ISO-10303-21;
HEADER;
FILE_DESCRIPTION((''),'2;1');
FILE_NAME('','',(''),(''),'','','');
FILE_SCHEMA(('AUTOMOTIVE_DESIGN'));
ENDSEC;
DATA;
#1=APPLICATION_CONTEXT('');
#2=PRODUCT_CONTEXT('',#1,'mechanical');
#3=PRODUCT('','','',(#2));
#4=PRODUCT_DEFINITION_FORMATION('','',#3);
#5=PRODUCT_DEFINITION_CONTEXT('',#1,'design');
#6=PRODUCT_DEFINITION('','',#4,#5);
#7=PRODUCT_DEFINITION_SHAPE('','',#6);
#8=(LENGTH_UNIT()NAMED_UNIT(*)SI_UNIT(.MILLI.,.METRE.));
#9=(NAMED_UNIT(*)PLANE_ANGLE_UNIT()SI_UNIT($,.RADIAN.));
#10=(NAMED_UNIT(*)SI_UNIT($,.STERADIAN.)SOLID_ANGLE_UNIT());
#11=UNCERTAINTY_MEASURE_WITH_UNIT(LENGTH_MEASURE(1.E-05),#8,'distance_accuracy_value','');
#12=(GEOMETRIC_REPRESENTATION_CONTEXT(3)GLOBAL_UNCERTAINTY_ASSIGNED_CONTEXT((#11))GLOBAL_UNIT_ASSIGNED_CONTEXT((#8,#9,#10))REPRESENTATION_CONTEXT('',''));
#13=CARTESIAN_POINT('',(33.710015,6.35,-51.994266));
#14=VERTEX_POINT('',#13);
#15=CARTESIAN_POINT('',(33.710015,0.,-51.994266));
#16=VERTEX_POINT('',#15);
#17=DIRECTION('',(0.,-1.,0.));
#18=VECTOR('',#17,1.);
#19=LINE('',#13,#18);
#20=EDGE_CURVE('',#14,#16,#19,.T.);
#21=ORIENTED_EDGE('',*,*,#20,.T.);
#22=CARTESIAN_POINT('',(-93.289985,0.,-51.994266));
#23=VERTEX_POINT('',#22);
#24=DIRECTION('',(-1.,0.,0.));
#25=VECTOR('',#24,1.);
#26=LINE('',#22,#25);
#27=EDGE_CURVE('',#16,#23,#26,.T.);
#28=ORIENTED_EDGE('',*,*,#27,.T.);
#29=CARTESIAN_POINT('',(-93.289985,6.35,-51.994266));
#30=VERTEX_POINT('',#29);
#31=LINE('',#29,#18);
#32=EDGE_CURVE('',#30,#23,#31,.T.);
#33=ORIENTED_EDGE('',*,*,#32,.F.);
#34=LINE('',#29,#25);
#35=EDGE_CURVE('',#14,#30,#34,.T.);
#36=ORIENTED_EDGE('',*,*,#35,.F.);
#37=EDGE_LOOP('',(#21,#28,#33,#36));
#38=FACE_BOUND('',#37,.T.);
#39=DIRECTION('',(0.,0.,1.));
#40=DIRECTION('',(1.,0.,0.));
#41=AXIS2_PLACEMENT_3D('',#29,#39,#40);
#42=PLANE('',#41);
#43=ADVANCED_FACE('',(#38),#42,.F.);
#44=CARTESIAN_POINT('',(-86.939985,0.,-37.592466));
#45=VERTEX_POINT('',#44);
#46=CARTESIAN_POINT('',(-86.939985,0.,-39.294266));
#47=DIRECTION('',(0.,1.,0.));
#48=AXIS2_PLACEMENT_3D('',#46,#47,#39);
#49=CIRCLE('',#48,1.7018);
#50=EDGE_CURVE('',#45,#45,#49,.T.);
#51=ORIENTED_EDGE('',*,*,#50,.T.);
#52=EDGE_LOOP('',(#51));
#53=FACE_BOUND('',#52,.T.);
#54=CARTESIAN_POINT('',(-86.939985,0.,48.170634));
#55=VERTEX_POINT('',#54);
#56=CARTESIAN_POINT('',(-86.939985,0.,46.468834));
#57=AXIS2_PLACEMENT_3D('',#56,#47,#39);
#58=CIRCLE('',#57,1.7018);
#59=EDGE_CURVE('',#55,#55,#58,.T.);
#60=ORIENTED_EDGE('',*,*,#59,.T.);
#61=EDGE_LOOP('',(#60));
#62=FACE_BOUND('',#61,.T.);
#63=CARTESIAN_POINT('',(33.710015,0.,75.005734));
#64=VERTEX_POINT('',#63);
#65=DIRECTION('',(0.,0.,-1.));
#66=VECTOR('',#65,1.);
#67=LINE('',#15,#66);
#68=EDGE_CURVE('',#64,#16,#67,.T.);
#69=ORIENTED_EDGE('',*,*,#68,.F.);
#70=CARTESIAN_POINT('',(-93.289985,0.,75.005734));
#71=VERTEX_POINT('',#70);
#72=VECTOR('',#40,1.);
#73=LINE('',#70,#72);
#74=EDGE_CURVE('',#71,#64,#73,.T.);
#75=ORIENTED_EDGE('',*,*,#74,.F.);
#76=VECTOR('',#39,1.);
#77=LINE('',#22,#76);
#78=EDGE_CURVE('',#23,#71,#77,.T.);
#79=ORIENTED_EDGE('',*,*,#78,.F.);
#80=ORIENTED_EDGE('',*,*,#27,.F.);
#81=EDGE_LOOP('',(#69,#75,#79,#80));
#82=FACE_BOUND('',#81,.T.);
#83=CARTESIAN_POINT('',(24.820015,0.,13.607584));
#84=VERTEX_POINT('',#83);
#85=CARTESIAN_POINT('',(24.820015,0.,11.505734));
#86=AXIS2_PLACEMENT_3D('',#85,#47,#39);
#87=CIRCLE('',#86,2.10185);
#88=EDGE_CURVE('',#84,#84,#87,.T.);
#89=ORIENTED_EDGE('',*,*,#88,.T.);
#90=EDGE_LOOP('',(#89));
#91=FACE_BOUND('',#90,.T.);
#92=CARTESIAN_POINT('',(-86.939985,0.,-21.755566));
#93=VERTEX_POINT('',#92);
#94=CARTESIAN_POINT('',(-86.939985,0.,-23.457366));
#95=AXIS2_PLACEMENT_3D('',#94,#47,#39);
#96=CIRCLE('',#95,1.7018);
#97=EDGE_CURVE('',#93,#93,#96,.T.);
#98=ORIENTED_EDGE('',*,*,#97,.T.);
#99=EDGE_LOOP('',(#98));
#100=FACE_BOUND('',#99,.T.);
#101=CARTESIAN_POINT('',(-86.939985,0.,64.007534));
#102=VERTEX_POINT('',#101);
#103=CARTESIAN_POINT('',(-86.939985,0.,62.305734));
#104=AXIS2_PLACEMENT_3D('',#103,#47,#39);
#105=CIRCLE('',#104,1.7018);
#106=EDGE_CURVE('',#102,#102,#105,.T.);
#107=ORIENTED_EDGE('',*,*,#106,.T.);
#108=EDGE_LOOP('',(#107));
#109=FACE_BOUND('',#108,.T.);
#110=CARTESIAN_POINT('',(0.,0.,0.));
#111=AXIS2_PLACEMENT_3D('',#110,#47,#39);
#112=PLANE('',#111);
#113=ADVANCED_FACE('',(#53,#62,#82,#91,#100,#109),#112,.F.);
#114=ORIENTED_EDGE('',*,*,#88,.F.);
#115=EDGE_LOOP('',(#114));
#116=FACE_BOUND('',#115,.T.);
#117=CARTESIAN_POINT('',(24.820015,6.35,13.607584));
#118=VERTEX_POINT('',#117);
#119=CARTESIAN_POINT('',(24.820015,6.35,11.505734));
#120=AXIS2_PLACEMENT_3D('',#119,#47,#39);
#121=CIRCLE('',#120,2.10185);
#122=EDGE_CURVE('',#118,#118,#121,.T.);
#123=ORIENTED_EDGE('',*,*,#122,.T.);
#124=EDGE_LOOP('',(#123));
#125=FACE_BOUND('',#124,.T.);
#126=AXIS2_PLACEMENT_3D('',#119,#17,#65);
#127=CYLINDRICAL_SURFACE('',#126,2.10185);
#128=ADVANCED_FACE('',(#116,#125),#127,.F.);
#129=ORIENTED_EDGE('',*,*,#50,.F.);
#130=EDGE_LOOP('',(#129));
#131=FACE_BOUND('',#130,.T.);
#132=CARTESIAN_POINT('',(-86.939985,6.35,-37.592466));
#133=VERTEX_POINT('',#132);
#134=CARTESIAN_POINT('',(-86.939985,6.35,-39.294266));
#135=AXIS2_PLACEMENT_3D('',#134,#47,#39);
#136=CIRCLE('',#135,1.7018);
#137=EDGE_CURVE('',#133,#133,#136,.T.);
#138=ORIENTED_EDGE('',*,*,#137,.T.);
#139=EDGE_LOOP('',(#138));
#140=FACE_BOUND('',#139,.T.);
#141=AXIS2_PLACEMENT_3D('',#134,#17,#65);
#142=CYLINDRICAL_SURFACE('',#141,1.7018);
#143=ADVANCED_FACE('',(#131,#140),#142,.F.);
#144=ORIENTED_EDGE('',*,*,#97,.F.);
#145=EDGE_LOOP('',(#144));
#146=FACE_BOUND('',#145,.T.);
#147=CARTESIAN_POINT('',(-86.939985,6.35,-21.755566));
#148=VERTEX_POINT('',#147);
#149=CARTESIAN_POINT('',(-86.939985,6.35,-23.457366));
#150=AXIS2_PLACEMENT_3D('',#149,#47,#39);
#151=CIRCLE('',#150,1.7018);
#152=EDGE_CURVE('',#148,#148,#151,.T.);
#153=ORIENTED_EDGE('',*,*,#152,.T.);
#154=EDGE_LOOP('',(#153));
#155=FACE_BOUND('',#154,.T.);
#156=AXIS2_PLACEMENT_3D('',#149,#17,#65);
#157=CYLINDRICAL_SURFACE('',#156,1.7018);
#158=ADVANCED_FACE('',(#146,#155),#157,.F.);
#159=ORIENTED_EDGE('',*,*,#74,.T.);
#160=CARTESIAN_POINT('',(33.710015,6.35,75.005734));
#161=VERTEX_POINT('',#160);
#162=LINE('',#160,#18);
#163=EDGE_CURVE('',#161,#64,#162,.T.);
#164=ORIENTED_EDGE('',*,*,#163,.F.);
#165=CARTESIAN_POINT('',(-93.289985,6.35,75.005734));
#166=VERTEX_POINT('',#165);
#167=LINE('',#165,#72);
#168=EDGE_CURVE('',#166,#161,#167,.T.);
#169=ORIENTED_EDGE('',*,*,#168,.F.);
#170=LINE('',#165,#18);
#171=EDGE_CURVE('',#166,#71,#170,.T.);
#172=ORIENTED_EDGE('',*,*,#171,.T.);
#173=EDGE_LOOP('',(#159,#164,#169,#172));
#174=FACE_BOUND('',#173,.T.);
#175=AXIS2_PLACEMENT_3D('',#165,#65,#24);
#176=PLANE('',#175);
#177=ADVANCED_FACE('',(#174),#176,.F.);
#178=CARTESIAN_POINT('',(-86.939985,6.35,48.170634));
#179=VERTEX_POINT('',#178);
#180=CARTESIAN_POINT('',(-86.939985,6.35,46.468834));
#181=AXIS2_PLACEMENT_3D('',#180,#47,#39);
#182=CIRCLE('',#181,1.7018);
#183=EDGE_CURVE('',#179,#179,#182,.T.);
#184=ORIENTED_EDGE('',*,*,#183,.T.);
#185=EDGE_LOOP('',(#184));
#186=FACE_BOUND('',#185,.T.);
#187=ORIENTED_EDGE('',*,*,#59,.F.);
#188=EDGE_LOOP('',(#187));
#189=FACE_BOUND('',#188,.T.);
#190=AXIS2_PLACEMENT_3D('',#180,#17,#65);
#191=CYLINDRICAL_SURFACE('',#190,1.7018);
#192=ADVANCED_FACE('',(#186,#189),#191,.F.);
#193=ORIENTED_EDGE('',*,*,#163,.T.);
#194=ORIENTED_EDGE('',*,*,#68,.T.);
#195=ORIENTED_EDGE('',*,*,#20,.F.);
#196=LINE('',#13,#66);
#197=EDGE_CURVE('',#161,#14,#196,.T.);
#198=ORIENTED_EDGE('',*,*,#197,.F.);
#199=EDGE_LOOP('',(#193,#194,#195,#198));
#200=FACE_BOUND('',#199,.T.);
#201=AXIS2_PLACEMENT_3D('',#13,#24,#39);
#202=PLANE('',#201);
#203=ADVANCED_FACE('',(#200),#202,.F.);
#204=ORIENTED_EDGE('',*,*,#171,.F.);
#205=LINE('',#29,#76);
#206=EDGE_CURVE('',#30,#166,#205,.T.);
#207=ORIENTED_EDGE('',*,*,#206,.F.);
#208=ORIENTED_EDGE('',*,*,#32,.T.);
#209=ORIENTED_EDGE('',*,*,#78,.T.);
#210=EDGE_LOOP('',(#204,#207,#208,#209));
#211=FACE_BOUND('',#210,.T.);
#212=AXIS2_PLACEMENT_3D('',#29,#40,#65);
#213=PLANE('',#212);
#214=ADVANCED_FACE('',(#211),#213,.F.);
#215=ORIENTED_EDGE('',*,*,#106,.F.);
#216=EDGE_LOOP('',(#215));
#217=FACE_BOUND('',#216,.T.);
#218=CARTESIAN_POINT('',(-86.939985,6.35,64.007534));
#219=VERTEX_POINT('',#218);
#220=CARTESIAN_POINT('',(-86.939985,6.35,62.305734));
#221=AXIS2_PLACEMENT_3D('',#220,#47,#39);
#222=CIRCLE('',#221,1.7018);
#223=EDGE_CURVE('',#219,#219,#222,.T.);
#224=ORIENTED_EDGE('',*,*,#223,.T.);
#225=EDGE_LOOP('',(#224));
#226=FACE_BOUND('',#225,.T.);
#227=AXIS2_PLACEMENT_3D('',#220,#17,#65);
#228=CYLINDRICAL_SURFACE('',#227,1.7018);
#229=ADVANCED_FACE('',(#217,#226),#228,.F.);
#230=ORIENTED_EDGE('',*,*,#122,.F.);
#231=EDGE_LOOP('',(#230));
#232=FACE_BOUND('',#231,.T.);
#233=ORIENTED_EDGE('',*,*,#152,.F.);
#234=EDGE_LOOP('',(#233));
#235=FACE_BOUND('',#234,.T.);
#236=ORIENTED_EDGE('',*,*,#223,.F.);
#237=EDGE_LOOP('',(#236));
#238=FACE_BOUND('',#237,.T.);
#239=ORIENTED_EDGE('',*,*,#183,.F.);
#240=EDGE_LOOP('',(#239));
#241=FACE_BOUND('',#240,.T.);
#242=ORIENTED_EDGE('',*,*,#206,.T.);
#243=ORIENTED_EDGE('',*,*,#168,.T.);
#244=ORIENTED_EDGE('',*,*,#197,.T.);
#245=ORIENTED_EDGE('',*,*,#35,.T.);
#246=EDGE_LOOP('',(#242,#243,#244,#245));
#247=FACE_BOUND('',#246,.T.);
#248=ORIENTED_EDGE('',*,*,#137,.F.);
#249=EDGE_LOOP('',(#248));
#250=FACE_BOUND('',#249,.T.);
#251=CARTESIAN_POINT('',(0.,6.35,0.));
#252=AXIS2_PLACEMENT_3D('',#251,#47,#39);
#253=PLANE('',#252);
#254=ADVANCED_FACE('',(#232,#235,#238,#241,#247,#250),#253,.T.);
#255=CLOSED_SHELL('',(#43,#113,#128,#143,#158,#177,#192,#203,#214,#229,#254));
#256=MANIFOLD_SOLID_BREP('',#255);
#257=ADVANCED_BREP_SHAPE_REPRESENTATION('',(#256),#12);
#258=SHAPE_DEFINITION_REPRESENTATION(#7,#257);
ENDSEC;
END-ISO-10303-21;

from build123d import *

# Parameters (mm, degrees)
SKETCH1_W           = 127
SKETCH1_H           = 127
SKETCH1_R           = 2.10185
SKETCH1_R_2         = 1.7018
BOSS_EXTRUDE1_DEPTH = 6.35


with BuildPart() as part:
    # Sketch1 → Boss-Extrude1 (new body)
    with BuildSketch(Plane(origin=(0, 0, 0), x_dir=(1, 0, 0), z_dir=(0, 1, 0))):
        with Locations((-29.789985297, -11.505733945)):
            Rectangle(SKETCH1_W, SKETCH1_H)
        with Locations(Location((24.820014703, -11.505733945, 0), (0, 0, 270))):
            Circle(SKETCH1_R, mode=Mode.SUBTRACT)
        with Locations(Location((-86.939985297, 23.457366055, 0), (0, 0, 270))):
            Circle(SKETCH1_R_2, mode=Mode.SUBTRACT)
        with Locations(Location((-86.939985297, 39.294266055, 0), (0, 0, 270))):
            Circle(SKETCH1_R_2, mode=Mode.SUBTRACT)
        with Locations(Location((-86.939985297, -62.305733945, 0), (0, 0, 270))):
            Circle(SKETCH1_R_2, mode=Mode.SUBTRACT)
        with Locations(Location((-86.939985297, -46.468833945, 0), (0, 0, 270))):
            Circle(SKETCH1_R_2, mode=Mode.SUBTRACT)
    extrude(amount=BOSS_EXTRUDE1_DEPTH)


solid = part.part
